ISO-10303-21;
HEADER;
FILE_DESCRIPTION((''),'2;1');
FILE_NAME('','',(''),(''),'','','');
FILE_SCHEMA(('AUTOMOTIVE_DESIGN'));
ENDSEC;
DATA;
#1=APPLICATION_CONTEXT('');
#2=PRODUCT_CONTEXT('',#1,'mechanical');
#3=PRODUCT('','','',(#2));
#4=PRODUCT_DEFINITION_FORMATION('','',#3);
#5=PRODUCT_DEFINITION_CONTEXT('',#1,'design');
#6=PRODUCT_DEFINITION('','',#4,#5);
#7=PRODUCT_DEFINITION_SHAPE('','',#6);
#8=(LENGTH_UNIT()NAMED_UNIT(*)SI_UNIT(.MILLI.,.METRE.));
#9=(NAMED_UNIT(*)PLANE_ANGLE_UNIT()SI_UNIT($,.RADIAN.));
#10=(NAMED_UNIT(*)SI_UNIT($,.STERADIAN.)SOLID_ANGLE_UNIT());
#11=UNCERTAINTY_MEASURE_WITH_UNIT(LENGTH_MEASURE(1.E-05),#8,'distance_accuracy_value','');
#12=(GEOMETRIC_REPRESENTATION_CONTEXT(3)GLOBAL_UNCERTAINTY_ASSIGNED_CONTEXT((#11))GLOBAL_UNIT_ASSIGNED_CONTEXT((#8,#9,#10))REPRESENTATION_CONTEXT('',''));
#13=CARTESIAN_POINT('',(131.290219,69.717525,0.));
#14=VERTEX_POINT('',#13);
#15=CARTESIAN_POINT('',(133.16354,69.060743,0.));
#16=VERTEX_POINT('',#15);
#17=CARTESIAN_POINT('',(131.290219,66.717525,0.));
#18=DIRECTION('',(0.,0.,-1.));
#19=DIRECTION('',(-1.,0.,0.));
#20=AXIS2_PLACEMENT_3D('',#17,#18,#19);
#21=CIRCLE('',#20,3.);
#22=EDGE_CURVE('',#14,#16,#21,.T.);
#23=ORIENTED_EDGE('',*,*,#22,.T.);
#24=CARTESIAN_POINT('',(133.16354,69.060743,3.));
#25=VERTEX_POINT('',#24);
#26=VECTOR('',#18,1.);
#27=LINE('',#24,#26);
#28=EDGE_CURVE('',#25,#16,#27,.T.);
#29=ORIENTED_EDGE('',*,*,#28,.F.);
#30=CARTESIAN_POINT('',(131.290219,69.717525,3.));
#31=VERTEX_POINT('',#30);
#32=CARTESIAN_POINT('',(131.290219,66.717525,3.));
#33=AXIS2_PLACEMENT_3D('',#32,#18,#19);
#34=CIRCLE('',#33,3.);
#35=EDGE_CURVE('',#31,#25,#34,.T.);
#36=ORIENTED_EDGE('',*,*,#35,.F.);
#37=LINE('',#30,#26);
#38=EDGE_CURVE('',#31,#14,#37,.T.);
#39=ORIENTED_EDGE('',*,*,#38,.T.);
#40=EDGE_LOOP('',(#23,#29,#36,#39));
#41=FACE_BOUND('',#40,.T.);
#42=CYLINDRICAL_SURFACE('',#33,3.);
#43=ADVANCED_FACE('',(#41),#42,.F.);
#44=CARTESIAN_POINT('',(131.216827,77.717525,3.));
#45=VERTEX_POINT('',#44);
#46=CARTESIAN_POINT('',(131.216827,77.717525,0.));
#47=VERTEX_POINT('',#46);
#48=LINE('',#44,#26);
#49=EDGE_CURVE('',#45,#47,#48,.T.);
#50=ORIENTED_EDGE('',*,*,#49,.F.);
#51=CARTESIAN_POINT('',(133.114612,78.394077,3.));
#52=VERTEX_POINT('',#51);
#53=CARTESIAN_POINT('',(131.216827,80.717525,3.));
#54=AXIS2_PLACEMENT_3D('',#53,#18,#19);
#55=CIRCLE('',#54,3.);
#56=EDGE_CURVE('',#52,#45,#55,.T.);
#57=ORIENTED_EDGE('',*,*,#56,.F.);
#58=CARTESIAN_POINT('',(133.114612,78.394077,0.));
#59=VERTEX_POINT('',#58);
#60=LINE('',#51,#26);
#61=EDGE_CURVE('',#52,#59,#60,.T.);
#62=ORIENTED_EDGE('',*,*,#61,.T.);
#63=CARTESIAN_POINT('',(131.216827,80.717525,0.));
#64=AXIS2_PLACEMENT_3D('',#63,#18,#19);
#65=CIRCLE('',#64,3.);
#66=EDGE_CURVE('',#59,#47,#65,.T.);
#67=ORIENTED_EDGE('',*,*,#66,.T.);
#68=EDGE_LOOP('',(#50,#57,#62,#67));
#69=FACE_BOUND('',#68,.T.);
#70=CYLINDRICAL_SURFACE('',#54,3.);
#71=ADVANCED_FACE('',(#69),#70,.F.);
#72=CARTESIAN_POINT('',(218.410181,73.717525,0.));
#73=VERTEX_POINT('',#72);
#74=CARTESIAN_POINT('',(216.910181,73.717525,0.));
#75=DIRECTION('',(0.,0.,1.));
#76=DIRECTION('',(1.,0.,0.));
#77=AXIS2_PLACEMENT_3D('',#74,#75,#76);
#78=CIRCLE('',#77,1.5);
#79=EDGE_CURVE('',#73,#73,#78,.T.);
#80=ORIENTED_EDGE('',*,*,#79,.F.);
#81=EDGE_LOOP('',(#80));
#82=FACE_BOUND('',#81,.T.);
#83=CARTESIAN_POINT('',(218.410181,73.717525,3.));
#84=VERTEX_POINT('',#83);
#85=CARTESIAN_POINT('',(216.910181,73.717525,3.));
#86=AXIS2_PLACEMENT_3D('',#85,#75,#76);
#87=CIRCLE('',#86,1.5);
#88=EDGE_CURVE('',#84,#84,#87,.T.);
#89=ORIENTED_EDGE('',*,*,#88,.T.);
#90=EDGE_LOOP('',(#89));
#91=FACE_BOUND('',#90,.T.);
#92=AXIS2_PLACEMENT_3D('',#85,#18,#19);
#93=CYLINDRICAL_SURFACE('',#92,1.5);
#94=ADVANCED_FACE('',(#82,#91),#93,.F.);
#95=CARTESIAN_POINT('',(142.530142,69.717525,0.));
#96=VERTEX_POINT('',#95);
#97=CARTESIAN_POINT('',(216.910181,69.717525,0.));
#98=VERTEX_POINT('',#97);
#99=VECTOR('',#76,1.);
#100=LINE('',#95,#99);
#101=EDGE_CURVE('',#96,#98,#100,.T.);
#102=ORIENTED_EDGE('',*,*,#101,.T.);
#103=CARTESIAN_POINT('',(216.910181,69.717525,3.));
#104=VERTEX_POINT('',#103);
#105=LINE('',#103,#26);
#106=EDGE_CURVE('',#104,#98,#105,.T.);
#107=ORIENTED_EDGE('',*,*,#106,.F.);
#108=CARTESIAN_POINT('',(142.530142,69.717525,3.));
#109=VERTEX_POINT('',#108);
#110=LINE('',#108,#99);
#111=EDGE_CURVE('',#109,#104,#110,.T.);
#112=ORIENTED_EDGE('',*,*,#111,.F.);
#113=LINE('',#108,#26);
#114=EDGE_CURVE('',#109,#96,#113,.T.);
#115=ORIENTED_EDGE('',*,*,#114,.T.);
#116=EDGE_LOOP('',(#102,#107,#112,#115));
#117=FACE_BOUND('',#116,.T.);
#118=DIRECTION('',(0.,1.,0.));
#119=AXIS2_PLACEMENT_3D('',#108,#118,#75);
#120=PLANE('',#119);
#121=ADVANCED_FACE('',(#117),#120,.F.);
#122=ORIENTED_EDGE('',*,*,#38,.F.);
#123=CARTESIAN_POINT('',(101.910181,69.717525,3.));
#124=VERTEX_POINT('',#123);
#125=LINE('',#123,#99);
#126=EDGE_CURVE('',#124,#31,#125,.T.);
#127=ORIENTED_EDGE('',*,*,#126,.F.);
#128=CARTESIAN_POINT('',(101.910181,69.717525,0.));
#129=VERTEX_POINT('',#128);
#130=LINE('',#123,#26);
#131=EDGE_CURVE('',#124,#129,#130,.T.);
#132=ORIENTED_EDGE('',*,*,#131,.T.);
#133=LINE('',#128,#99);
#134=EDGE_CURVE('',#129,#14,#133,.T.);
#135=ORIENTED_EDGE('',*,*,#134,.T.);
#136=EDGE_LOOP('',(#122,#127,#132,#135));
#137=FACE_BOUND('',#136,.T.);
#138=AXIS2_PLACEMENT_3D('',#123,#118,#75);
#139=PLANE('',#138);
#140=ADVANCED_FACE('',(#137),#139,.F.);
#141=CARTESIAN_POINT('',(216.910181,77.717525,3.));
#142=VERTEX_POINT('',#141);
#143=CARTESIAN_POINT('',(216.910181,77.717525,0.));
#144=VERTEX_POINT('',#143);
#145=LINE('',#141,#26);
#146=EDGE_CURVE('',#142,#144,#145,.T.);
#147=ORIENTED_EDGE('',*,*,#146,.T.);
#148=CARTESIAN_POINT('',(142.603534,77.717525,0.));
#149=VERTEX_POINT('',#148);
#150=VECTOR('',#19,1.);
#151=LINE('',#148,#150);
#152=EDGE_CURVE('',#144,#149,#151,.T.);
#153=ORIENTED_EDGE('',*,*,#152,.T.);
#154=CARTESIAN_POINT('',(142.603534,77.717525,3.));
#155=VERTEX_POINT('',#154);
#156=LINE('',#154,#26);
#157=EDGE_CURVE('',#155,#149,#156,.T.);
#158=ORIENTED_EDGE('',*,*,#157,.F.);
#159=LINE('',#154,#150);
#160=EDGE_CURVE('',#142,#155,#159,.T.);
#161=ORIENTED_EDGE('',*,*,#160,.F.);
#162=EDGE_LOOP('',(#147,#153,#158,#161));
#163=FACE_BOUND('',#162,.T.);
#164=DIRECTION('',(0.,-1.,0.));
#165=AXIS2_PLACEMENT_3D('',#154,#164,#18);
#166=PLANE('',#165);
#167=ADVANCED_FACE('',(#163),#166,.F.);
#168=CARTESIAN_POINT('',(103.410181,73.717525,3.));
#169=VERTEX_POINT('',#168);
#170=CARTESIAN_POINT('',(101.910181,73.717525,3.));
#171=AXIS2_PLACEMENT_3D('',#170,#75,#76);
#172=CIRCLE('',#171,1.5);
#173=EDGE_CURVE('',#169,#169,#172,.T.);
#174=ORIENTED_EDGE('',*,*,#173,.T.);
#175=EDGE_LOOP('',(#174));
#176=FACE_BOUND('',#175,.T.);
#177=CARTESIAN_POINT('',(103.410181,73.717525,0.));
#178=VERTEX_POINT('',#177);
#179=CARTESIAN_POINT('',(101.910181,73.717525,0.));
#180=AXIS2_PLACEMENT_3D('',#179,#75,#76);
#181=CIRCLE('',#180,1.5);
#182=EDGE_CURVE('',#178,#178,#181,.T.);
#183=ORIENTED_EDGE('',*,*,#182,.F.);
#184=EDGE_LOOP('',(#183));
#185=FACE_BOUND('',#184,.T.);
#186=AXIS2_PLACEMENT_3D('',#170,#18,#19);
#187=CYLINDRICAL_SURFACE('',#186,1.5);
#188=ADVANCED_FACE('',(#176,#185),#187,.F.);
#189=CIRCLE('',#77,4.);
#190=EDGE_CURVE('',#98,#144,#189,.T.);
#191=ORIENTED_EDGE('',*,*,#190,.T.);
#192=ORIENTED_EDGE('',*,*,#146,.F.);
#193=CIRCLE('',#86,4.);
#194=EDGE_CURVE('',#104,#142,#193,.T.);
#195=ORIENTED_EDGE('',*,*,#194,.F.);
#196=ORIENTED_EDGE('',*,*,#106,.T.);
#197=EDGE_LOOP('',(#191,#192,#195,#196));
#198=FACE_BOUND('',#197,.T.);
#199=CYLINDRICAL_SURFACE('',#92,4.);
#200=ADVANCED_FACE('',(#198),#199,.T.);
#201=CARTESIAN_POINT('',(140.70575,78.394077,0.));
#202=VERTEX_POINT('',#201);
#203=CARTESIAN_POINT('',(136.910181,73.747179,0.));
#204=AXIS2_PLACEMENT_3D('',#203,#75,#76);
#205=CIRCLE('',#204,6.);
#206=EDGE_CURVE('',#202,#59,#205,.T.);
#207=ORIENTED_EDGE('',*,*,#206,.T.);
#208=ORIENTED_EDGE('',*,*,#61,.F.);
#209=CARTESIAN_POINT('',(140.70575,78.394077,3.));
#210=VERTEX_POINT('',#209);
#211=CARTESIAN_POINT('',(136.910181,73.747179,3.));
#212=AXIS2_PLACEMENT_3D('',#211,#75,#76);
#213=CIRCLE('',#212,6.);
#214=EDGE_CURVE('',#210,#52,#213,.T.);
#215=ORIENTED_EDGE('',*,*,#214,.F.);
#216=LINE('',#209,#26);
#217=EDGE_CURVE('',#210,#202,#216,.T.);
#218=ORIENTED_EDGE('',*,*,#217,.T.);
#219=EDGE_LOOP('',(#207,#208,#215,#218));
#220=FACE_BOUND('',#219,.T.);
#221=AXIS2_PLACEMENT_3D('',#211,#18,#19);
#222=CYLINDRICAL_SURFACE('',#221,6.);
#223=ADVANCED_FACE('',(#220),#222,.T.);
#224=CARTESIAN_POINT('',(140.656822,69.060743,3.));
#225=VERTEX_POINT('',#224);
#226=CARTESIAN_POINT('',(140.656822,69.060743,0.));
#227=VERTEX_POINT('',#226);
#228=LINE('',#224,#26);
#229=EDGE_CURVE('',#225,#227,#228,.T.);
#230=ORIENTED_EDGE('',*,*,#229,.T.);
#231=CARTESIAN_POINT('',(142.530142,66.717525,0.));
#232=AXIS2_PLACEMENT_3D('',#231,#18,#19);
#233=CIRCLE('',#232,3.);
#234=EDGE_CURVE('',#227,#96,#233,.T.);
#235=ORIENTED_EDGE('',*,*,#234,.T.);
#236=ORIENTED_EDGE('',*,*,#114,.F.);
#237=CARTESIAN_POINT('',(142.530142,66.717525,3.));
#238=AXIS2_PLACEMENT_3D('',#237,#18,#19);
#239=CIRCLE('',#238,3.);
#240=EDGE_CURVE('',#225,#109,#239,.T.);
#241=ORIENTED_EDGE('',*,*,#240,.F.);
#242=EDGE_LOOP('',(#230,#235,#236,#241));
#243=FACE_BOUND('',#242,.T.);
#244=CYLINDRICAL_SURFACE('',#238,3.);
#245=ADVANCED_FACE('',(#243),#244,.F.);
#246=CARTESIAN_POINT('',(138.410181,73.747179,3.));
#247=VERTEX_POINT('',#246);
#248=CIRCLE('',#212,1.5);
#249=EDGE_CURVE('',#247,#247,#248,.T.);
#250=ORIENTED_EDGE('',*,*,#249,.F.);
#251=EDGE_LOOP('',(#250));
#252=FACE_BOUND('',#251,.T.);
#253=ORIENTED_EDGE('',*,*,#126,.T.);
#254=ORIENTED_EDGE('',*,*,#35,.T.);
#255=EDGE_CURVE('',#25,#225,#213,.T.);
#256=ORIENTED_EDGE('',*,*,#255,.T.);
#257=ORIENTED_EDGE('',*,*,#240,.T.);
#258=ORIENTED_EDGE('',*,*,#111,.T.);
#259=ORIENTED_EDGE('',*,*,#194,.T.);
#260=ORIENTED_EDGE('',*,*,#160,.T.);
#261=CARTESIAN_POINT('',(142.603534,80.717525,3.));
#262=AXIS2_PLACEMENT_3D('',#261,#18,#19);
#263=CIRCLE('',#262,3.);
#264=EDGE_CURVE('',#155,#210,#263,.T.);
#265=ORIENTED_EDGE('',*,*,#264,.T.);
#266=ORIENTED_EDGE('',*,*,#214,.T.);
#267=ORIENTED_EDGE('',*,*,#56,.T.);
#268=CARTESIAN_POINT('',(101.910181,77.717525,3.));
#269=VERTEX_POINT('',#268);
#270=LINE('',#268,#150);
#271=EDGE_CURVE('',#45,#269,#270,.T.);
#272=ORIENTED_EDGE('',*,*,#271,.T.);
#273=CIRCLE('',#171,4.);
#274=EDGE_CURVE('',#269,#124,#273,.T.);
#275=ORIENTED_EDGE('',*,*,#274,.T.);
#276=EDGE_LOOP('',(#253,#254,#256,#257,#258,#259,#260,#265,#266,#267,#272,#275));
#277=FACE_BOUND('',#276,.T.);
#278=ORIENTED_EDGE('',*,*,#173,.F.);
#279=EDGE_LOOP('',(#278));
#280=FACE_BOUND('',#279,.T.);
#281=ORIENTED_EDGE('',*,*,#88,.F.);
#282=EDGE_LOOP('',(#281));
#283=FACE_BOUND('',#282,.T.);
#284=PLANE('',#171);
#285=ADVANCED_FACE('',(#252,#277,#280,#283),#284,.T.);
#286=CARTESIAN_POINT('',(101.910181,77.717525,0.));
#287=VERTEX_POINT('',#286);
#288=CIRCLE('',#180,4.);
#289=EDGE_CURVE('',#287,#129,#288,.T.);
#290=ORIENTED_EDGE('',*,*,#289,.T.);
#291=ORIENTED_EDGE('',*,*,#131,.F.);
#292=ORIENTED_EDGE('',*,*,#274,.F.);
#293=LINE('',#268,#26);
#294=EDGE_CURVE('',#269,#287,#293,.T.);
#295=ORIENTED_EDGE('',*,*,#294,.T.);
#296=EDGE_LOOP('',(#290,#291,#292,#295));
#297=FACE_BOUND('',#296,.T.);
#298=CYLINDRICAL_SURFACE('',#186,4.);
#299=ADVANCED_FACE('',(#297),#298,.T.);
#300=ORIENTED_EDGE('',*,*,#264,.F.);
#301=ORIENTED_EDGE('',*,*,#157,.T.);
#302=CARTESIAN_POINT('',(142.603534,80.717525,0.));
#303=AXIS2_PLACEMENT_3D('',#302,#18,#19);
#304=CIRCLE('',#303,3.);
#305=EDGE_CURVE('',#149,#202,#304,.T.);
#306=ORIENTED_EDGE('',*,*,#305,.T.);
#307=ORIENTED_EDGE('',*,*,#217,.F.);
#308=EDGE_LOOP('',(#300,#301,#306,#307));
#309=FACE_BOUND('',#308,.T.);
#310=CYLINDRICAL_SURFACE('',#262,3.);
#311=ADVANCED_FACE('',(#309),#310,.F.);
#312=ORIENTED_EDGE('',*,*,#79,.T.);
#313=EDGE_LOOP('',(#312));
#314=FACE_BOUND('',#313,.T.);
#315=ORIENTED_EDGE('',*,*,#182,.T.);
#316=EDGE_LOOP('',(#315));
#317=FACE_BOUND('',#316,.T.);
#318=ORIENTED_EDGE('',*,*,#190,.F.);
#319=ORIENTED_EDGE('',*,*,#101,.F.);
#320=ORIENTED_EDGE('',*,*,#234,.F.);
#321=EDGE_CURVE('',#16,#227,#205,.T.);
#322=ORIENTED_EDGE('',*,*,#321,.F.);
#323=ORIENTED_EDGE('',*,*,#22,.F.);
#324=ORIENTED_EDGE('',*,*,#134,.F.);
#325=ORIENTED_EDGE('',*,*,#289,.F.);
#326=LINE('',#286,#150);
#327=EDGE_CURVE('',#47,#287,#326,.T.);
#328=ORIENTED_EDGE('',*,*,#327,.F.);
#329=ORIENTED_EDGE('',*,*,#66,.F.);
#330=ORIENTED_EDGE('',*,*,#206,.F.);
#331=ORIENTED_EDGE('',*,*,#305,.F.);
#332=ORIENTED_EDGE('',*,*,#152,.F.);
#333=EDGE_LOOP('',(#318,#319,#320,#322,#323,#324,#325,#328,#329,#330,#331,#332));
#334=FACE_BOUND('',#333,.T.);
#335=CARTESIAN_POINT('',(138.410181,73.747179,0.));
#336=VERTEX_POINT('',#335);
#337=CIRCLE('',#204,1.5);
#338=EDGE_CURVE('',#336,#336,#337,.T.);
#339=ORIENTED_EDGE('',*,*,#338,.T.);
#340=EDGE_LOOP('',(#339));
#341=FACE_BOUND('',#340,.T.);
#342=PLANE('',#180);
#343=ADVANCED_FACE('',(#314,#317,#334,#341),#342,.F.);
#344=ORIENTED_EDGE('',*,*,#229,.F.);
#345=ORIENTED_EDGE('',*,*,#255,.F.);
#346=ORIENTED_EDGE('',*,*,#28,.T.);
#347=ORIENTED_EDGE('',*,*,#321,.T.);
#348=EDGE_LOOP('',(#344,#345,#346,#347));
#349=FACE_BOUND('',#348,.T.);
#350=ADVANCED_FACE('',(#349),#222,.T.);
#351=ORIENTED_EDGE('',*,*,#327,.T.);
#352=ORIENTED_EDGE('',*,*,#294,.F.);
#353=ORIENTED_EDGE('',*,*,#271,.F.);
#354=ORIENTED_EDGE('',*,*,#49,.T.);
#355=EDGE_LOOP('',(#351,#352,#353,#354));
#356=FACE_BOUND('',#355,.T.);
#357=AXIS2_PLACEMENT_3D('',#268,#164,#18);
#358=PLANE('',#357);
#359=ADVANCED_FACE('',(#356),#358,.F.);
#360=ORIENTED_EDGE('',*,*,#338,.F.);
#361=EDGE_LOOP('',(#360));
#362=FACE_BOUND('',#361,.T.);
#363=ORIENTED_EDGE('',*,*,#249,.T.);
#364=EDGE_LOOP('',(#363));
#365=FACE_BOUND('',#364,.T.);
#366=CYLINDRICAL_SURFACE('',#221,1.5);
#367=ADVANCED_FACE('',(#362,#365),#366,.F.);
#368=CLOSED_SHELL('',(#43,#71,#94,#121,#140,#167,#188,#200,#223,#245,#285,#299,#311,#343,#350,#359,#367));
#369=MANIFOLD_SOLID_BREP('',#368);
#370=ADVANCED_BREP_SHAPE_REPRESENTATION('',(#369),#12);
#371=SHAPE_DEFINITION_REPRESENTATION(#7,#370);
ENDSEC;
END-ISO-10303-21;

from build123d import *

# Parameters (mm, degrees)
ESQUISSE15_R        = 1.5
BOSS_EXTRU_15_DEPTH = 3


with BuildPart() as part:
    # Esquisse15 → Boss.-Extru.15 (new body)
    with BuildSketch(Plane.XY):
        with BuildLine():
            Line((101.910180697, 77.71752531), (131.216827386, 77.71752531))
            ThreePointArc((131.216827386, 77.71752531), (132.224213524, 77.891720439), (133.114611823, 78.394076531))
            ThreePointArc((133.114611823, 78.394076531), (136.910180697, 79.747178972), (140.705749571, 78.394076531))
            ThreePointArc((140.705749571, 78.394076531), (141.59614787, 77.891720439), (142.603534008, 77.71752531))
            Line((142.603534008, 77.71752531), (216.910180697, 77.71752531))
            ThreePointArc((216.910180697, 77.71752531), (220.910180697, 73.71752531), (216.910180697, 69.71752531))
            Line((216.910180697, 69.71752531), (142.530142387, 69.71752531))
            ThreePointArc((142.530142387, 69.71752531), (141.537583488, 69.54857226), (140.656821824, 69.060743198))
            ThreePointArc((140.656821824, 69.060743198), (136.910180697, 67.747178972), (133.16353957, 69.060743198))
            ThreePointArc((133.16353957, 69.060743198), (132.282777907, 69.54857226), (131.290219007, 69.71752531))
            Line((131.290219007, 69.71752531), (101.910180697, 69.71752531))
            ThreePointArc((101.910180697, 69.71752531), (97.910180697, 73.71752531), (101.910180697, 77.71752531))
        make_face()
        with Locations((101.910180697, 73.71752531)):
            Circle(ESQUISSE15_R, mode=Mode.SUBTRACT)
        with Locations((216.910180697, 73.71752531)):
            Circle(ESQUISSE15_R, mode=Mode.SUBTRACT)
        with Locations((136.910180697, 73.747178972)):
            Circle(ESQUISSE15_R, mode=Mode.SUBTRACT)
    extrude(amount=BOSS_EXTRU_15_DEPTH)


solid = part.part
